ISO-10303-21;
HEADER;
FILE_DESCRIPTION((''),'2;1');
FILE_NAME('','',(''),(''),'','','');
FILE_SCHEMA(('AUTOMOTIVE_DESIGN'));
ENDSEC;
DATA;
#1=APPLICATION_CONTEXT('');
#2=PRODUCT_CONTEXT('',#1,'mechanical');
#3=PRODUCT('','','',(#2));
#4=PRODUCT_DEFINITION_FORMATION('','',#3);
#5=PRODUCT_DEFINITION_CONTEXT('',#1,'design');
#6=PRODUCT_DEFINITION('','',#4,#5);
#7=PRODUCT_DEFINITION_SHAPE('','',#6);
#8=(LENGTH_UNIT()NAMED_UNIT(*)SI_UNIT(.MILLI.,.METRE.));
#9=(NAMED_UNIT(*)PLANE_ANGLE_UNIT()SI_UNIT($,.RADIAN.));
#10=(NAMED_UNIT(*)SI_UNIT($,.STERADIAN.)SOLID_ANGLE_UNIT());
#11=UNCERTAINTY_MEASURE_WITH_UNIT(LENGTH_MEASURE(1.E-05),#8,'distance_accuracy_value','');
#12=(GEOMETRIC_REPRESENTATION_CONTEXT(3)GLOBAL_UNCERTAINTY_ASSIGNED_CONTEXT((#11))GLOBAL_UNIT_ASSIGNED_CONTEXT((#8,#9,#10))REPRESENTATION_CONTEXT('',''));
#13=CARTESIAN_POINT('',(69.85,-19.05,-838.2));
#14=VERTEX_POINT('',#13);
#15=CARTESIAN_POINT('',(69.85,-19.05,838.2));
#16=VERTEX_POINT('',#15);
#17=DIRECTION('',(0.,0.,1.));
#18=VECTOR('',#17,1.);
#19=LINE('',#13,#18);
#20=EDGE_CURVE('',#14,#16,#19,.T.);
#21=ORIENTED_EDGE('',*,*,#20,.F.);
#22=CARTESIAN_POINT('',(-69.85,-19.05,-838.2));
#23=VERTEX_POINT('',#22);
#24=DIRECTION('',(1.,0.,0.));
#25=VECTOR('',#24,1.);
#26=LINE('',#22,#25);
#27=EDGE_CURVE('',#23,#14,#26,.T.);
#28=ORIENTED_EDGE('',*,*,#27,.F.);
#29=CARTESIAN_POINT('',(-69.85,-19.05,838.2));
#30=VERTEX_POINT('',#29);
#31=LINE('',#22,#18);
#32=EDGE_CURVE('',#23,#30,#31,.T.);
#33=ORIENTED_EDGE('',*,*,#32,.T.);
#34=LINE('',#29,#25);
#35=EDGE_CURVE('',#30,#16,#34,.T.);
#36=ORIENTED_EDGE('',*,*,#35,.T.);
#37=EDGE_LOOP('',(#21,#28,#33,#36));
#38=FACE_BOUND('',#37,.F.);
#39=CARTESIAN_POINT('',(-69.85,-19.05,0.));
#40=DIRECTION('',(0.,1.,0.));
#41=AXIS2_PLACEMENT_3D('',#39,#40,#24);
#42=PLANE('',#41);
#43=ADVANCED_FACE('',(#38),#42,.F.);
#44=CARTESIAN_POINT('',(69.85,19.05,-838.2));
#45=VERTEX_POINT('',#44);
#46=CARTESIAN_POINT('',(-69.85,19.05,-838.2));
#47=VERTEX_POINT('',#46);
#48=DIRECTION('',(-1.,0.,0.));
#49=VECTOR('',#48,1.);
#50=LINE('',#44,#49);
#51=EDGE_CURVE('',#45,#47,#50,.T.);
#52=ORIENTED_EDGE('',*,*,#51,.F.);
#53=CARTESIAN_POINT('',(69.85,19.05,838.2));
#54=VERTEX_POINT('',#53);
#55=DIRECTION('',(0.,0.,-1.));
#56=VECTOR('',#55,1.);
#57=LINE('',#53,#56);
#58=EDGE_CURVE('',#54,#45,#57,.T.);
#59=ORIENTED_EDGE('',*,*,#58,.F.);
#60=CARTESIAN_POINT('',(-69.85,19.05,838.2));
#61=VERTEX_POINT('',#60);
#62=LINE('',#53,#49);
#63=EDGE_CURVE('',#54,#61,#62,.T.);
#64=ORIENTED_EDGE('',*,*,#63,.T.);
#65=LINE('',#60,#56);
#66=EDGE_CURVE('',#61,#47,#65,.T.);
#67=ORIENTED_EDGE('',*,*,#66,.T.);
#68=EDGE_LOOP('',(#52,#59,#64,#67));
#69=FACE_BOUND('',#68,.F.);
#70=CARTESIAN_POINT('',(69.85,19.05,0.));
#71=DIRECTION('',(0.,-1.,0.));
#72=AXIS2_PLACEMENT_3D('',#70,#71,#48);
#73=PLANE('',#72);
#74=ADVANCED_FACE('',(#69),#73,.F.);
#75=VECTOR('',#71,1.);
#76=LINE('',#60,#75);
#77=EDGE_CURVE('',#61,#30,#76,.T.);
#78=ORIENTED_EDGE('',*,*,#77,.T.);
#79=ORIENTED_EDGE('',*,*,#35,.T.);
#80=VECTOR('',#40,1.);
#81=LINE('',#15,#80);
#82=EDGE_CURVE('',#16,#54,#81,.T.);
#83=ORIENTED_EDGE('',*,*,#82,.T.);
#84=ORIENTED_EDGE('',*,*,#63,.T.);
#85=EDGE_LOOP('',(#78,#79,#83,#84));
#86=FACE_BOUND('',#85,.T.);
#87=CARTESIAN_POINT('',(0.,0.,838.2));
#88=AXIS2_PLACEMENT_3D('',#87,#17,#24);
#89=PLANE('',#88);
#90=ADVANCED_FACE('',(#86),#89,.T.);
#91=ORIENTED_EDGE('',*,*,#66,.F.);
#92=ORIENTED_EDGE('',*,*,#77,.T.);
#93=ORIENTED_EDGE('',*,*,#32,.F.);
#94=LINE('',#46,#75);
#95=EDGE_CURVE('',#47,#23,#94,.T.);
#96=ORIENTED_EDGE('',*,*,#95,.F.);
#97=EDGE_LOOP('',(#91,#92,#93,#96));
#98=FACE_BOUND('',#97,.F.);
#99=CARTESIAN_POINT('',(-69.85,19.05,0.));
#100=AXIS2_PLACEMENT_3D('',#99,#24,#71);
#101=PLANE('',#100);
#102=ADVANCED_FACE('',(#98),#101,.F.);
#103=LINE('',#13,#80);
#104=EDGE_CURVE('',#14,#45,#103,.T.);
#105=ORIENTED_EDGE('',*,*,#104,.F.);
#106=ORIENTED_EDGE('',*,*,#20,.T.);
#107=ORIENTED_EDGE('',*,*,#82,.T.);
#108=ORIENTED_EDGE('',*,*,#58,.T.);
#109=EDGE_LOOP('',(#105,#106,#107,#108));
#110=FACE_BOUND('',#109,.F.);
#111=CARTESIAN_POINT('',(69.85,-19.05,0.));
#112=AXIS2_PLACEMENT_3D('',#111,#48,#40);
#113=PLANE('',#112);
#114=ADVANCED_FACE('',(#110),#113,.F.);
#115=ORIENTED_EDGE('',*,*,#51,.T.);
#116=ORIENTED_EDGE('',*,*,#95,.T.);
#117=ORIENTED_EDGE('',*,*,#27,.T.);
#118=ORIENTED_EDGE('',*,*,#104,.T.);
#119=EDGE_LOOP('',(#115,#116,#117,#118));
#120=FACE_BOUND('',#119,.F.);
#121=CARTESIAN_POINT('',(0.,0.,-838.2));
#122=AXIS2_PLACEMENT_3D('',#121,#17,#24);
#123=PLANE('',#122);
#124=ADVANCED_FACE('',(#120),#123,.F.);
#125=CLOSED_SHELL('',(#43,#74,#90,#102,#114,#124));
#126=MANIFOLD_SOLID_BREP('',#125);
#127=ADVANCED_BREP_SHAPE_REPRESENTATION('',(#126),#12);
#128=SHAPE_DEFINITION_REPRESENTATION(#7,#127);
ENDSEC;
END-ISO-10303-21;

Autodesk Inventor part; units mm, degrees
ref_plane "YZ Plane" through (0, 0, 0) normal (1, 0, 0) x (0, 1, 0)
ref_plane "XZ Plane" through (0, 0, 0) normal (0, 1, 0) x (-1, 0, 0)
ref_plane "XY Plane" through (0, 0, 0) normal (0, 0, 1) x (1, 0, 0)
sketch "Sketch1" plane through (0, 0, 0) normal (0, 0, 1) x (1, 0, 0)
  line L0 (-69.85, -19.05) -> (69.85, -19.05)
  line L1 (69.85, -19.05) -> (69.85, 19.05)
  line L2 (69.85, 19.05) -> (-69.85, 19.05)
  line L3 (-69.85, 19.05) -> (-69.85, -19.05)
  line L4 (-69.85, -19.05) -> (69.85, 19.05) construction
  line L5 (69.85, -19.05) -> (-69.85, 19.05) construction
  point P0 (0, 0)
  dimension "d0" = 139.7
  dimension "d1" = 38.1
extrude "Extrusion1" add sketch "Sketch1" along normal mid plane 1676.4
properties part number "2x6x66-board" material "Wood (Birch)"
